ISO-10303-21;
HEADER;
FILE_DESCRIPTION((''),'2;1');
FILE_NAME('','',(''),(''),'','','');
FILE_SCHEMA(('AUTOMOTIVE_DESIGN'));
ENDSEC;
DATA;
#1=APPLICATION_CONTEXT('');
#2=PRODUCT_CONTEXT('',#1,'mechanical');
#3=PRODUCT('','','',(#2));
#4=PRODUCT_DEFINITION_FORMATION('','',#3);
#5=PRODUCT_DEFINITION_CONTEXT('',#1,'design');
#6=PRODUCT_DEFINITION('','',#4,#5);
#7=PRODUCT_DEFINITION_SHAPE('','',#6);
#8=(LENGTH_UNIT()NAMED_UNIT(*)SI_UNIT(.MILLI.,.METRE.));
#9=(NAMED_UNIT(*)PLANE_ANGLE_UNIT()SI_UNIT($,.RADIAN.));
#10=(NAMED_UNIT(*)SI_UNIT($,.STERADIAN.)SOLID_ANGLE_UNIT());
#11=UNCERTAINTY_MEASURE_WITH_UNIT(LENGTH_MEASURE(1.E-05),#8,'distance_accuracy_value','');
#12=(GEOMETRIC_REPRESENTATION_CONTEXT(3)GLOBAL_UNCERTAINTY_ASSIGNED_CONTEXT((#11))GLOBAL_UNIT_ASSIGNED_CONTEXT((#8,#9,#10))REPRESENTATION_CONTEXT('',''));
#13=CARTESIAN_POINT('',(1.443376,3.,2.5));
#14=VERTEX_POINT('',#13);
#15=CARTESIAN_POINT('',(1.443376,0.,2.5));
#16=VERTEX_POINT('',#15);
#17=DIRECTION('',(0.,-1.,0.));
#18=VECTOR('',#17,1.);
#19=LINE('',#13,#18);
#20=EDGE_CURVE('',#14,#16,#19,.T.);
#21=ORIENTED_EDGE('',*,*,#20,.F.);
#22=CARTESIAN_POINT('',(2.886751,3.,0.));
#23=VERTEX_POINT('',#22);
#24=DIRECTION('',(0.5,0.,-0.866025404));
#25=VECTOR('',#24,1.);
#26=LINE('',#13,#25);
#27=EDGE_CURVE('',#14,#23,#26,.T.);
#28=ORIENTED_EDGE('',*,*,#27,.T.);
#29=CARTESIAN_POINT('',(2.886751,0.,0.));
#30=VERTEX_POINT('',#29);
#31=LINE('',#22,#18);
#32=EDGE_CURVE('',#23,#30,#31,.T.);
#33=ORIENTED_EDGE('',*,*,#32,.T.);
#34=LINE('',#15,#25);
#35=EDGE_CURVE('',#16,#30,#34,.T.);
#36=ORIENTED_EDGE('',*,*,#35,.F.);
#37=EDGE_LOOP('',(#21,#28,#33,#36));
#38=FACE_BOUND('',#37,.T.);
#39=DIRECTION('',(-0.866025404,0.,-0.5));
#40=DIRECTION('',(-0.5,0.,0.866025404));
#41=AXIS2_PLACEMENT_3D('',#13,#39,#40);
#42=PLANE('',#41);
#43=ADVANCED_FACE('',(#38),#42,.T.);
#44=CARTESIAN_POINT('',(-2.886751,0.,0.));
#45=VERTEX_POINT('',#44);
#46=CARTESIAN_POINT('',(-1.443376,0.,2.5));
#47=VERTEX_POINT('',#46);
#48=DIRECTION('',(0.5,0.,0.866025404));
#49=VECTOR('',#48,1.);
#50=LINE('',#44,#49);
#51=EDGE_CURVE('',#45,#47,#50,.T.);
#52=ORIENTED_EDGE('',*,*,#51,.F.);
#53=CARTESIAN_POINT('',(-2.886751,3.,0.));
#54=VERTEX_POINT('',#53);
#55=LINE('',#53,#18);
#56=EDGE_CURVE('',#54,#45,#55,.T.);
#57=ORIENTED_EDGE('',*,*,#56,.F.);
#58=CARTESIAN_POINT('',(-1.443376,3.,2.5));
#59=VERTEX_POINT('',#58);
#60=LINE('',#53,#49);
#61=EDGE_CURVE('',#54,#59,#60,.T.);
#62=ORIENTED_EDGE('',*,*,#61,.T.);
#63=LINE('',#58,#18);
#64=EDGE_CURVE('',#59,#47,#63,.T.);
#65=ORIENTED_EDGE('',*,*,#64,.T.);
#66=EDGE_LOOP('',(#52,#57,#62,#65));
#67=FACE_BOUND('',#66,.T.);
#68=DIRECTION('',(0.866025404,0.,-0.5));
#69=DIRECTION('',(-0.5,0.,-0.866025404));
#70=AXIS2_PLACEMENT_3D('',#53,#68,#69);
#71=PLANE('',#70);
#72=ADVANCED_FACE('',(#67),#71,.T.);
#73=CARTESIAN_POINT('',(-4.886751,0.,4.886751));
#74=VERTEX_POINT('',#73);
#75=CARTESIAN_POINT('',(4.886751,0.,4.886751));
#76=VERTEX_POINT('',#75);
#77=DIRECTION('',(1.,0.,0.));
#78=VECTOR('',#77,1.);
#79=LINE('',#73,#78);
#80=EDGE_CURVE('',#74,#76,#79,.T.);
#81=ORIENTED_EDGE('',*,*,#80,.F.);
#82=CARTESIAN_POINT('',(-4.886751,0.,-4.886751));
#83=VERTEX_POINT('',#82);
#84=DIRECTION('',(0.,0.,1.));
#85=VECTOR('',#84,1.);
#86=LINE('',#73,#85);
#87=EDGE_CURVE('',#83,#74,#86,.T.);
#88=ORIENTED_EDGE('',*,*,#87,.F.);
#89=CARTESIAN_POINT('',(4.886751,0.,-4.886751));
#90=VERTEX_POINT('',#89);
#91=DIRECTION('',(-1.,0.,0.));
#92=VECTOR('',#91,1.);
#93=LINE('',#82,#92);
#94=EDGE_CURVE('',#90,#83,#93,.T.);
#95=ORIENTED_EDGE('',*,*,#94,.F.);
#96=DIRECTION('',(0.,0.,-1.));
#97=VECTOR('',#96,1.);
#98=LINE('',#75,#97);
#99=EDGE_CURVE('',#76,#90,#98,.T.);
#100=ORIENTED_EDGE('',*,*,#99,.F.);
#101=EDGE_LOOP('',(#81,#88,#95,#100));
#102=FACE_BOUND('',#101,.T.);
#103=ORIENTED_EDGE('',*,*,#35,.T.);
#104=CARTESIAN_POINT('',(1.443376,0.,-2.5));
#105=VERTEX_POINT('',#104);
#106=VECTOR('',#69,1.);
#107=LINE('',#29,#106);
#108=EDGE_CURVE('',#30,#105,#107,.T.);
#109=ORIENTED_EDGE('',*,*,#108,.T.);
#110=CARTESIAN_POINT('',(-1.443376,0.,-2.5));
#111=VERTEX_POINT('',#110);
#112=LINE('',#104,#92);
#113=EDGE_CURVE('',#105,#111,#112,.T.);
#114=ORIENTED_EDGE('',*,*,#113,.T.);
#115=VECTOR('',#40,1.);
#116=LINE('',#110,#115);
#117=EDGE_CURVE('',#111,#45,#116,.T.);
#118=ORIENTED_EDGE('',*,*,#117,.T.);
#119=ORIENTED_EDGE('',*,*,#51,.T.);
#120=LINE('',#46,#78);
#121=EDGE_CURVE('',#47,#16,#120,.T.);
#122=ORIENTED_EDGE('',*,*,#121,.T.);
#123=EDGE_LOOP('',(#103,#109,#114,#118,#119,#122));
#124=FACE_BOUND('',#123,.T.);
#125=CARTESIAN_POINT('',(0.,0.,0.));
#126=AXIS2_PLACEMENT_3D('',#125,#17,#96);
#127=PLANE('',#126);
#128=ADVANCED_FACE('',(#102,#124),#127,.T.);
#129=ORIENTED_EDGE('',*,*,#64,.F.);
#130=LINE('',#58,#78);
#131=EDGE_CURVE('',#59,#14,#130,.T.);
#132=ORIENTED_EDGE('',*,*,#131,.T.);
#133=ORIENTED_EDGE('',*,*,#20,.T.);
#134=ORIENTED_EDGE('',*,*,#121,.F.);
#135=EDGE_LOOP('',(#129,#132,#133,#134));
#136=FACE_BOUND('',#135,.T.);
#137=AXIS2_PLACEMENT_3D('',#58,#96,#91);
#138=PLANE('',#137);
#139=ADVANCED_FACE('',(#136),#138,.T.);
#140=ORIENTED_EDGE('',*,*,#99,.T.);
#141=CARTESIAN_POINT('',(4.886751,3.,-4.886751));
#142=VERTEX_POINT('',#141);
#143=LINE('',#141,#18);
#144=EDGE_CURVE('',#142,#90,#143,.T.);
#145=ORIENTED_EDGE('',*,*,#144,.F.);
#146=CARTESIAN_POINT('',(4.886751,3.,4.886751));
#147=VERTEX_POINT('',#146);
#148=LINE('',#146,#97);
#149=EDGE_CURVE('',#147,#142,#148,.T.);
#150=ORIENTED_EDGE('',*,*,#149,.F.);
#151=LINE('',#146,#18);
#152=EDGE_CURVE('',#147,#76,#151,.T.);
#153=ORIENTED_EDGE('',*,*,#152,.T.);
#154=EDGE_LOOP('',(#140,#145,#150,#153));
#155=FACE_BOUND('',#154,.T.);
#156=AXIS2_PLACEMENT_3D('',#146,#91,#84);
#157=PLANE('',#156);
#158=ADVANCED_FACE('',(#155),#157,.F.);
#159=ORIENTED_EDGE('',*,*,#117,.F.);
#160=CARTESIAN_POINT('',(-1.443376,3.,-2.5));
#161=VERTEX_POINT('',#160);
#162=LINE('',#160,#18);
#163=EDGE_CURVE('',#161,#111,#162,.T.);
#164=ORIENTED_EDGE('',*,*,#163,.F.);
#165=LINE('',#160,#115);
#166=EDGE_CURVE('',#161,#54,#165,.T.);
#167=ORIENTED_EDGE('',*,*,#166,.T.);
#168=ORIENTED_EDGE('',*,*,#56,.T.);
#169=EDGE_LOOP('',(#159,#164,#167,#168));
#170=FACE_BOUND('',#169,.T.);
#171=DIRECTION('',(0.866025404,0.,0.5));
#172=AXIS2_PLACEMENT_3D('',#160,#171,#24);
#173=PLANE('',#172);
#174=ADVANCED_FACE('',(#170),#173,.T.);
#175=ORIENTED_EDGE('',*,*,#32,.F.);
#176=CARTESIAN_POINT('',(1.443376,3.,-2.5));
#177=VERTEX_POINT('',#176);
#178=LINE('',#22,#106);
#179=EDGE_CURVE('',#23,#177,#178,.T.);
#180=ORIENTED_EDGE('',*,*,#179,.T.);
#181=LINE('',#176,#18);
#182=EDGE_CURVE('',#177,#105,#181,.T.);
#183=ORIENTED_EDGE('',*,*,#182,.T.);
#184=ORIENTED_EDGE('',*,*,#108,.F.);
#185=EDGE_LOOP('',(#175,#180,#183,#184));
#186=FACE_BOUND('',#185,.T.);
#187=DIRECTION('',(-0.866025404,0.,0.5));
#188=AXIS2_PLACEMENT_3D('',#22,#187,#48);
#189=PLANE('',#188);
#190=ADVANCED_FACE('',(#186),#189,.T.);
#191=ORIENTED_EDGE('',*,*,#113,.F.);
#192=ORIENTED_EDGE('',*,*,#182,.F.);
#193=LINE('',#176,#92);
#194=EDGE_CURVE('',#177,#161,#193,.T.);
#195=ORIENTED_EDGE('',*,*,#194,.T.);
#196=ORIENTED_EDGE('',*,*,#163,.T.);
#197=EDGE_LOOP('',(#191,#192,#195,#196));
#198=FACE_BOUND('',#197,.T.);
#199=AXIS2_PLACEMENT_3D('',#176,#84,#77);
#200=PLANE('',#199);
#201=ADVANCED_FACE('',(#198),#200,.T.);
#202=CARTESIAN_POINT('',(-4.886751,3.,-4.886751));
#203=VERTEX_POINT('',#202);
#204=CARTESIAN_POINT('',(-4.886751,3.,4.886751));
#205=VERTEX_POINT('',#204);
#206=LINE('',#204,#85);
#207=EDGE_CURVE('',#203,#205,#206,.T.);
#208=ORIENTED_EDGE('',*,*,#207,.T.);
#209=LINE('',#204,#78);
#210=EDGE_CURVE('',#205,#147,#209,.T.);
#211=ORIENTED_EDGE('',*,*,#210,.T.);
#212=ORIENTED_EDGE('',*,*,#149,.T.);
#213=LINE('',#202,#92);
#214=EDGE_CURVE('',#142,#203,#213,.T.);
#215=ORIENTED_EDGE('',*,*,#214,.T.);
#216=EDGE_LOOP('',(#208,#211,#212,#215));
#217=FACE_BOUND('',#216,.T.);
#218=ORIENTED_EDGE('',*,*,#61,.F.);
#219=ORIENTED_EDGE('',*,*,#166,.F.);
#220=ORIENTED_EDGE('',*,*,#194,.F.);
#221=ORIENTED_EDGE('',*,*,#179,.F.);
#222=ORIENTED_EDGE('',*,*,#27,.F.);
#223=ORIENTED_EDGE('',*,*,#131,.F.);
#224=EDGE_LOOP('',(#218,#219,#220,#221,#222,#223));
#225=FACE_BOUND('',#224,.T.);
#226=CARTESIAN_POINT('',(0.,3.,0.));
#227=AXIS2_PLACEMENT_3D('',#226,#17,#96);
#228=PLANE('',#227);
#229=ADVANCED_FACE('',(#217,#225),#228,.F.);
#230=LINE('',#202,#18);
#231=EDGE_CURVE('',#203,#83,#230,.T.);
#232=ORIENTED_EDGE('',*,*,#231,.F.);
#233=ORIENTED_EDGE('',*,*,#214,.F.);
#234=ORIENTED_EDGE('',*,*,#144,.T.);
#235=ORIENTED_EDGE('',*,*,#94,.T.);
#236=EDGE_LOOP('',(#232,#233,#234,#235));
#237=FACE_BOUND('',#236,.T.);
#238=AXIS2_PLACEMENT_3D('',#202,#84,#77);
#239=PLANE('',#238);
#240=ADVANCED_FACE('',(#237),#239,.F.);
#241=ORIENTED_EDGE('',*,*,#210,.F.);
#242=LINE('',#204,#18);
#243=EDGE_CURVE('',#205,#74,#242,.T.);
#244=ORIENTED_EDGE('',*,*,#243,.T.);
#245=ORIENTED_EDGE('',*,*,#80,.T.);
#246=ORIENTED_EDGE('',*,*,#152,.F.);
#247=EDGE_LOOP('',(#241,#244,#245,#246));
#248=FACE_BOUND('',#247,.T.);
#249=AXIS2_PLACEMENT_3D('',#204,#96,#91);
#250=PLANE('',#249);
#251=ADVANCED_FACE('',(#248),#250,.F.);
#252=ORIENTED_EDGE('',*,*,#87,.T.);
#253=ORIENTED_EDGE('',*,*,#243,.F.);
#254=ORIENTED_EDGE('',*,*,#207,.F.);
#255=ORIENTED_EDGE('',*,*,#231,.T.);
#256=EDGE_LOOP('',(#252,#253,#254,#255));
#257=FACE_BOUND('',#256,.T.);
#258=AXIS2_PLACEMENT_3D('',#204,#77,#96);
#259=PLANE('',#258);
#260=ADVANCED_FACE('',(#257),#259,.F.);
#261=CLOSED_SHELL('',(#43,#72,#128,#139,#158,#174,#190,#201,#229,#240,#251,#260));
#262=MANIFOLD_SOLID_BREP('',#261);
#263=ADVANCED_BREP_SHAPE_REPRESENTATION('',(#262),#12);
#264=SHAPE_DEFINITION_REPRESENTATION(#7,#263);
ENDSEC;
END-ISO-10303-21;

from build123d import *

# Parameters (mm, degrees)
ESBO_O1_W                = 9.773502692
ESBO_O1_H                = 9.773502692
RESSALTO_EXTRUS_O1_DEPTH = 3


with BuildPart() as part:
    # Esboço1 → Ressalto-extrusão1 (new body)
    with BuildSketch(Plane(origin=(0, 0, 0), x_dir=(1, 0, 0), z_dir=(0, 1, 0))):
        Rectangle(ESBO_O1_W, ESBO_O1_H)
        Polygon((1.443375673, 2.5), (-1.443375673, 2.5), (-2.886751346, 0), (-1.443375673, -2.5), (1.443375673, -2.5), (2.886751346, 0), align=None, mode=Mode.SUBTRACT)
    extrude(amount=RESSALTO_EXTRUS_O1_DEPTH)


solid = part.part
